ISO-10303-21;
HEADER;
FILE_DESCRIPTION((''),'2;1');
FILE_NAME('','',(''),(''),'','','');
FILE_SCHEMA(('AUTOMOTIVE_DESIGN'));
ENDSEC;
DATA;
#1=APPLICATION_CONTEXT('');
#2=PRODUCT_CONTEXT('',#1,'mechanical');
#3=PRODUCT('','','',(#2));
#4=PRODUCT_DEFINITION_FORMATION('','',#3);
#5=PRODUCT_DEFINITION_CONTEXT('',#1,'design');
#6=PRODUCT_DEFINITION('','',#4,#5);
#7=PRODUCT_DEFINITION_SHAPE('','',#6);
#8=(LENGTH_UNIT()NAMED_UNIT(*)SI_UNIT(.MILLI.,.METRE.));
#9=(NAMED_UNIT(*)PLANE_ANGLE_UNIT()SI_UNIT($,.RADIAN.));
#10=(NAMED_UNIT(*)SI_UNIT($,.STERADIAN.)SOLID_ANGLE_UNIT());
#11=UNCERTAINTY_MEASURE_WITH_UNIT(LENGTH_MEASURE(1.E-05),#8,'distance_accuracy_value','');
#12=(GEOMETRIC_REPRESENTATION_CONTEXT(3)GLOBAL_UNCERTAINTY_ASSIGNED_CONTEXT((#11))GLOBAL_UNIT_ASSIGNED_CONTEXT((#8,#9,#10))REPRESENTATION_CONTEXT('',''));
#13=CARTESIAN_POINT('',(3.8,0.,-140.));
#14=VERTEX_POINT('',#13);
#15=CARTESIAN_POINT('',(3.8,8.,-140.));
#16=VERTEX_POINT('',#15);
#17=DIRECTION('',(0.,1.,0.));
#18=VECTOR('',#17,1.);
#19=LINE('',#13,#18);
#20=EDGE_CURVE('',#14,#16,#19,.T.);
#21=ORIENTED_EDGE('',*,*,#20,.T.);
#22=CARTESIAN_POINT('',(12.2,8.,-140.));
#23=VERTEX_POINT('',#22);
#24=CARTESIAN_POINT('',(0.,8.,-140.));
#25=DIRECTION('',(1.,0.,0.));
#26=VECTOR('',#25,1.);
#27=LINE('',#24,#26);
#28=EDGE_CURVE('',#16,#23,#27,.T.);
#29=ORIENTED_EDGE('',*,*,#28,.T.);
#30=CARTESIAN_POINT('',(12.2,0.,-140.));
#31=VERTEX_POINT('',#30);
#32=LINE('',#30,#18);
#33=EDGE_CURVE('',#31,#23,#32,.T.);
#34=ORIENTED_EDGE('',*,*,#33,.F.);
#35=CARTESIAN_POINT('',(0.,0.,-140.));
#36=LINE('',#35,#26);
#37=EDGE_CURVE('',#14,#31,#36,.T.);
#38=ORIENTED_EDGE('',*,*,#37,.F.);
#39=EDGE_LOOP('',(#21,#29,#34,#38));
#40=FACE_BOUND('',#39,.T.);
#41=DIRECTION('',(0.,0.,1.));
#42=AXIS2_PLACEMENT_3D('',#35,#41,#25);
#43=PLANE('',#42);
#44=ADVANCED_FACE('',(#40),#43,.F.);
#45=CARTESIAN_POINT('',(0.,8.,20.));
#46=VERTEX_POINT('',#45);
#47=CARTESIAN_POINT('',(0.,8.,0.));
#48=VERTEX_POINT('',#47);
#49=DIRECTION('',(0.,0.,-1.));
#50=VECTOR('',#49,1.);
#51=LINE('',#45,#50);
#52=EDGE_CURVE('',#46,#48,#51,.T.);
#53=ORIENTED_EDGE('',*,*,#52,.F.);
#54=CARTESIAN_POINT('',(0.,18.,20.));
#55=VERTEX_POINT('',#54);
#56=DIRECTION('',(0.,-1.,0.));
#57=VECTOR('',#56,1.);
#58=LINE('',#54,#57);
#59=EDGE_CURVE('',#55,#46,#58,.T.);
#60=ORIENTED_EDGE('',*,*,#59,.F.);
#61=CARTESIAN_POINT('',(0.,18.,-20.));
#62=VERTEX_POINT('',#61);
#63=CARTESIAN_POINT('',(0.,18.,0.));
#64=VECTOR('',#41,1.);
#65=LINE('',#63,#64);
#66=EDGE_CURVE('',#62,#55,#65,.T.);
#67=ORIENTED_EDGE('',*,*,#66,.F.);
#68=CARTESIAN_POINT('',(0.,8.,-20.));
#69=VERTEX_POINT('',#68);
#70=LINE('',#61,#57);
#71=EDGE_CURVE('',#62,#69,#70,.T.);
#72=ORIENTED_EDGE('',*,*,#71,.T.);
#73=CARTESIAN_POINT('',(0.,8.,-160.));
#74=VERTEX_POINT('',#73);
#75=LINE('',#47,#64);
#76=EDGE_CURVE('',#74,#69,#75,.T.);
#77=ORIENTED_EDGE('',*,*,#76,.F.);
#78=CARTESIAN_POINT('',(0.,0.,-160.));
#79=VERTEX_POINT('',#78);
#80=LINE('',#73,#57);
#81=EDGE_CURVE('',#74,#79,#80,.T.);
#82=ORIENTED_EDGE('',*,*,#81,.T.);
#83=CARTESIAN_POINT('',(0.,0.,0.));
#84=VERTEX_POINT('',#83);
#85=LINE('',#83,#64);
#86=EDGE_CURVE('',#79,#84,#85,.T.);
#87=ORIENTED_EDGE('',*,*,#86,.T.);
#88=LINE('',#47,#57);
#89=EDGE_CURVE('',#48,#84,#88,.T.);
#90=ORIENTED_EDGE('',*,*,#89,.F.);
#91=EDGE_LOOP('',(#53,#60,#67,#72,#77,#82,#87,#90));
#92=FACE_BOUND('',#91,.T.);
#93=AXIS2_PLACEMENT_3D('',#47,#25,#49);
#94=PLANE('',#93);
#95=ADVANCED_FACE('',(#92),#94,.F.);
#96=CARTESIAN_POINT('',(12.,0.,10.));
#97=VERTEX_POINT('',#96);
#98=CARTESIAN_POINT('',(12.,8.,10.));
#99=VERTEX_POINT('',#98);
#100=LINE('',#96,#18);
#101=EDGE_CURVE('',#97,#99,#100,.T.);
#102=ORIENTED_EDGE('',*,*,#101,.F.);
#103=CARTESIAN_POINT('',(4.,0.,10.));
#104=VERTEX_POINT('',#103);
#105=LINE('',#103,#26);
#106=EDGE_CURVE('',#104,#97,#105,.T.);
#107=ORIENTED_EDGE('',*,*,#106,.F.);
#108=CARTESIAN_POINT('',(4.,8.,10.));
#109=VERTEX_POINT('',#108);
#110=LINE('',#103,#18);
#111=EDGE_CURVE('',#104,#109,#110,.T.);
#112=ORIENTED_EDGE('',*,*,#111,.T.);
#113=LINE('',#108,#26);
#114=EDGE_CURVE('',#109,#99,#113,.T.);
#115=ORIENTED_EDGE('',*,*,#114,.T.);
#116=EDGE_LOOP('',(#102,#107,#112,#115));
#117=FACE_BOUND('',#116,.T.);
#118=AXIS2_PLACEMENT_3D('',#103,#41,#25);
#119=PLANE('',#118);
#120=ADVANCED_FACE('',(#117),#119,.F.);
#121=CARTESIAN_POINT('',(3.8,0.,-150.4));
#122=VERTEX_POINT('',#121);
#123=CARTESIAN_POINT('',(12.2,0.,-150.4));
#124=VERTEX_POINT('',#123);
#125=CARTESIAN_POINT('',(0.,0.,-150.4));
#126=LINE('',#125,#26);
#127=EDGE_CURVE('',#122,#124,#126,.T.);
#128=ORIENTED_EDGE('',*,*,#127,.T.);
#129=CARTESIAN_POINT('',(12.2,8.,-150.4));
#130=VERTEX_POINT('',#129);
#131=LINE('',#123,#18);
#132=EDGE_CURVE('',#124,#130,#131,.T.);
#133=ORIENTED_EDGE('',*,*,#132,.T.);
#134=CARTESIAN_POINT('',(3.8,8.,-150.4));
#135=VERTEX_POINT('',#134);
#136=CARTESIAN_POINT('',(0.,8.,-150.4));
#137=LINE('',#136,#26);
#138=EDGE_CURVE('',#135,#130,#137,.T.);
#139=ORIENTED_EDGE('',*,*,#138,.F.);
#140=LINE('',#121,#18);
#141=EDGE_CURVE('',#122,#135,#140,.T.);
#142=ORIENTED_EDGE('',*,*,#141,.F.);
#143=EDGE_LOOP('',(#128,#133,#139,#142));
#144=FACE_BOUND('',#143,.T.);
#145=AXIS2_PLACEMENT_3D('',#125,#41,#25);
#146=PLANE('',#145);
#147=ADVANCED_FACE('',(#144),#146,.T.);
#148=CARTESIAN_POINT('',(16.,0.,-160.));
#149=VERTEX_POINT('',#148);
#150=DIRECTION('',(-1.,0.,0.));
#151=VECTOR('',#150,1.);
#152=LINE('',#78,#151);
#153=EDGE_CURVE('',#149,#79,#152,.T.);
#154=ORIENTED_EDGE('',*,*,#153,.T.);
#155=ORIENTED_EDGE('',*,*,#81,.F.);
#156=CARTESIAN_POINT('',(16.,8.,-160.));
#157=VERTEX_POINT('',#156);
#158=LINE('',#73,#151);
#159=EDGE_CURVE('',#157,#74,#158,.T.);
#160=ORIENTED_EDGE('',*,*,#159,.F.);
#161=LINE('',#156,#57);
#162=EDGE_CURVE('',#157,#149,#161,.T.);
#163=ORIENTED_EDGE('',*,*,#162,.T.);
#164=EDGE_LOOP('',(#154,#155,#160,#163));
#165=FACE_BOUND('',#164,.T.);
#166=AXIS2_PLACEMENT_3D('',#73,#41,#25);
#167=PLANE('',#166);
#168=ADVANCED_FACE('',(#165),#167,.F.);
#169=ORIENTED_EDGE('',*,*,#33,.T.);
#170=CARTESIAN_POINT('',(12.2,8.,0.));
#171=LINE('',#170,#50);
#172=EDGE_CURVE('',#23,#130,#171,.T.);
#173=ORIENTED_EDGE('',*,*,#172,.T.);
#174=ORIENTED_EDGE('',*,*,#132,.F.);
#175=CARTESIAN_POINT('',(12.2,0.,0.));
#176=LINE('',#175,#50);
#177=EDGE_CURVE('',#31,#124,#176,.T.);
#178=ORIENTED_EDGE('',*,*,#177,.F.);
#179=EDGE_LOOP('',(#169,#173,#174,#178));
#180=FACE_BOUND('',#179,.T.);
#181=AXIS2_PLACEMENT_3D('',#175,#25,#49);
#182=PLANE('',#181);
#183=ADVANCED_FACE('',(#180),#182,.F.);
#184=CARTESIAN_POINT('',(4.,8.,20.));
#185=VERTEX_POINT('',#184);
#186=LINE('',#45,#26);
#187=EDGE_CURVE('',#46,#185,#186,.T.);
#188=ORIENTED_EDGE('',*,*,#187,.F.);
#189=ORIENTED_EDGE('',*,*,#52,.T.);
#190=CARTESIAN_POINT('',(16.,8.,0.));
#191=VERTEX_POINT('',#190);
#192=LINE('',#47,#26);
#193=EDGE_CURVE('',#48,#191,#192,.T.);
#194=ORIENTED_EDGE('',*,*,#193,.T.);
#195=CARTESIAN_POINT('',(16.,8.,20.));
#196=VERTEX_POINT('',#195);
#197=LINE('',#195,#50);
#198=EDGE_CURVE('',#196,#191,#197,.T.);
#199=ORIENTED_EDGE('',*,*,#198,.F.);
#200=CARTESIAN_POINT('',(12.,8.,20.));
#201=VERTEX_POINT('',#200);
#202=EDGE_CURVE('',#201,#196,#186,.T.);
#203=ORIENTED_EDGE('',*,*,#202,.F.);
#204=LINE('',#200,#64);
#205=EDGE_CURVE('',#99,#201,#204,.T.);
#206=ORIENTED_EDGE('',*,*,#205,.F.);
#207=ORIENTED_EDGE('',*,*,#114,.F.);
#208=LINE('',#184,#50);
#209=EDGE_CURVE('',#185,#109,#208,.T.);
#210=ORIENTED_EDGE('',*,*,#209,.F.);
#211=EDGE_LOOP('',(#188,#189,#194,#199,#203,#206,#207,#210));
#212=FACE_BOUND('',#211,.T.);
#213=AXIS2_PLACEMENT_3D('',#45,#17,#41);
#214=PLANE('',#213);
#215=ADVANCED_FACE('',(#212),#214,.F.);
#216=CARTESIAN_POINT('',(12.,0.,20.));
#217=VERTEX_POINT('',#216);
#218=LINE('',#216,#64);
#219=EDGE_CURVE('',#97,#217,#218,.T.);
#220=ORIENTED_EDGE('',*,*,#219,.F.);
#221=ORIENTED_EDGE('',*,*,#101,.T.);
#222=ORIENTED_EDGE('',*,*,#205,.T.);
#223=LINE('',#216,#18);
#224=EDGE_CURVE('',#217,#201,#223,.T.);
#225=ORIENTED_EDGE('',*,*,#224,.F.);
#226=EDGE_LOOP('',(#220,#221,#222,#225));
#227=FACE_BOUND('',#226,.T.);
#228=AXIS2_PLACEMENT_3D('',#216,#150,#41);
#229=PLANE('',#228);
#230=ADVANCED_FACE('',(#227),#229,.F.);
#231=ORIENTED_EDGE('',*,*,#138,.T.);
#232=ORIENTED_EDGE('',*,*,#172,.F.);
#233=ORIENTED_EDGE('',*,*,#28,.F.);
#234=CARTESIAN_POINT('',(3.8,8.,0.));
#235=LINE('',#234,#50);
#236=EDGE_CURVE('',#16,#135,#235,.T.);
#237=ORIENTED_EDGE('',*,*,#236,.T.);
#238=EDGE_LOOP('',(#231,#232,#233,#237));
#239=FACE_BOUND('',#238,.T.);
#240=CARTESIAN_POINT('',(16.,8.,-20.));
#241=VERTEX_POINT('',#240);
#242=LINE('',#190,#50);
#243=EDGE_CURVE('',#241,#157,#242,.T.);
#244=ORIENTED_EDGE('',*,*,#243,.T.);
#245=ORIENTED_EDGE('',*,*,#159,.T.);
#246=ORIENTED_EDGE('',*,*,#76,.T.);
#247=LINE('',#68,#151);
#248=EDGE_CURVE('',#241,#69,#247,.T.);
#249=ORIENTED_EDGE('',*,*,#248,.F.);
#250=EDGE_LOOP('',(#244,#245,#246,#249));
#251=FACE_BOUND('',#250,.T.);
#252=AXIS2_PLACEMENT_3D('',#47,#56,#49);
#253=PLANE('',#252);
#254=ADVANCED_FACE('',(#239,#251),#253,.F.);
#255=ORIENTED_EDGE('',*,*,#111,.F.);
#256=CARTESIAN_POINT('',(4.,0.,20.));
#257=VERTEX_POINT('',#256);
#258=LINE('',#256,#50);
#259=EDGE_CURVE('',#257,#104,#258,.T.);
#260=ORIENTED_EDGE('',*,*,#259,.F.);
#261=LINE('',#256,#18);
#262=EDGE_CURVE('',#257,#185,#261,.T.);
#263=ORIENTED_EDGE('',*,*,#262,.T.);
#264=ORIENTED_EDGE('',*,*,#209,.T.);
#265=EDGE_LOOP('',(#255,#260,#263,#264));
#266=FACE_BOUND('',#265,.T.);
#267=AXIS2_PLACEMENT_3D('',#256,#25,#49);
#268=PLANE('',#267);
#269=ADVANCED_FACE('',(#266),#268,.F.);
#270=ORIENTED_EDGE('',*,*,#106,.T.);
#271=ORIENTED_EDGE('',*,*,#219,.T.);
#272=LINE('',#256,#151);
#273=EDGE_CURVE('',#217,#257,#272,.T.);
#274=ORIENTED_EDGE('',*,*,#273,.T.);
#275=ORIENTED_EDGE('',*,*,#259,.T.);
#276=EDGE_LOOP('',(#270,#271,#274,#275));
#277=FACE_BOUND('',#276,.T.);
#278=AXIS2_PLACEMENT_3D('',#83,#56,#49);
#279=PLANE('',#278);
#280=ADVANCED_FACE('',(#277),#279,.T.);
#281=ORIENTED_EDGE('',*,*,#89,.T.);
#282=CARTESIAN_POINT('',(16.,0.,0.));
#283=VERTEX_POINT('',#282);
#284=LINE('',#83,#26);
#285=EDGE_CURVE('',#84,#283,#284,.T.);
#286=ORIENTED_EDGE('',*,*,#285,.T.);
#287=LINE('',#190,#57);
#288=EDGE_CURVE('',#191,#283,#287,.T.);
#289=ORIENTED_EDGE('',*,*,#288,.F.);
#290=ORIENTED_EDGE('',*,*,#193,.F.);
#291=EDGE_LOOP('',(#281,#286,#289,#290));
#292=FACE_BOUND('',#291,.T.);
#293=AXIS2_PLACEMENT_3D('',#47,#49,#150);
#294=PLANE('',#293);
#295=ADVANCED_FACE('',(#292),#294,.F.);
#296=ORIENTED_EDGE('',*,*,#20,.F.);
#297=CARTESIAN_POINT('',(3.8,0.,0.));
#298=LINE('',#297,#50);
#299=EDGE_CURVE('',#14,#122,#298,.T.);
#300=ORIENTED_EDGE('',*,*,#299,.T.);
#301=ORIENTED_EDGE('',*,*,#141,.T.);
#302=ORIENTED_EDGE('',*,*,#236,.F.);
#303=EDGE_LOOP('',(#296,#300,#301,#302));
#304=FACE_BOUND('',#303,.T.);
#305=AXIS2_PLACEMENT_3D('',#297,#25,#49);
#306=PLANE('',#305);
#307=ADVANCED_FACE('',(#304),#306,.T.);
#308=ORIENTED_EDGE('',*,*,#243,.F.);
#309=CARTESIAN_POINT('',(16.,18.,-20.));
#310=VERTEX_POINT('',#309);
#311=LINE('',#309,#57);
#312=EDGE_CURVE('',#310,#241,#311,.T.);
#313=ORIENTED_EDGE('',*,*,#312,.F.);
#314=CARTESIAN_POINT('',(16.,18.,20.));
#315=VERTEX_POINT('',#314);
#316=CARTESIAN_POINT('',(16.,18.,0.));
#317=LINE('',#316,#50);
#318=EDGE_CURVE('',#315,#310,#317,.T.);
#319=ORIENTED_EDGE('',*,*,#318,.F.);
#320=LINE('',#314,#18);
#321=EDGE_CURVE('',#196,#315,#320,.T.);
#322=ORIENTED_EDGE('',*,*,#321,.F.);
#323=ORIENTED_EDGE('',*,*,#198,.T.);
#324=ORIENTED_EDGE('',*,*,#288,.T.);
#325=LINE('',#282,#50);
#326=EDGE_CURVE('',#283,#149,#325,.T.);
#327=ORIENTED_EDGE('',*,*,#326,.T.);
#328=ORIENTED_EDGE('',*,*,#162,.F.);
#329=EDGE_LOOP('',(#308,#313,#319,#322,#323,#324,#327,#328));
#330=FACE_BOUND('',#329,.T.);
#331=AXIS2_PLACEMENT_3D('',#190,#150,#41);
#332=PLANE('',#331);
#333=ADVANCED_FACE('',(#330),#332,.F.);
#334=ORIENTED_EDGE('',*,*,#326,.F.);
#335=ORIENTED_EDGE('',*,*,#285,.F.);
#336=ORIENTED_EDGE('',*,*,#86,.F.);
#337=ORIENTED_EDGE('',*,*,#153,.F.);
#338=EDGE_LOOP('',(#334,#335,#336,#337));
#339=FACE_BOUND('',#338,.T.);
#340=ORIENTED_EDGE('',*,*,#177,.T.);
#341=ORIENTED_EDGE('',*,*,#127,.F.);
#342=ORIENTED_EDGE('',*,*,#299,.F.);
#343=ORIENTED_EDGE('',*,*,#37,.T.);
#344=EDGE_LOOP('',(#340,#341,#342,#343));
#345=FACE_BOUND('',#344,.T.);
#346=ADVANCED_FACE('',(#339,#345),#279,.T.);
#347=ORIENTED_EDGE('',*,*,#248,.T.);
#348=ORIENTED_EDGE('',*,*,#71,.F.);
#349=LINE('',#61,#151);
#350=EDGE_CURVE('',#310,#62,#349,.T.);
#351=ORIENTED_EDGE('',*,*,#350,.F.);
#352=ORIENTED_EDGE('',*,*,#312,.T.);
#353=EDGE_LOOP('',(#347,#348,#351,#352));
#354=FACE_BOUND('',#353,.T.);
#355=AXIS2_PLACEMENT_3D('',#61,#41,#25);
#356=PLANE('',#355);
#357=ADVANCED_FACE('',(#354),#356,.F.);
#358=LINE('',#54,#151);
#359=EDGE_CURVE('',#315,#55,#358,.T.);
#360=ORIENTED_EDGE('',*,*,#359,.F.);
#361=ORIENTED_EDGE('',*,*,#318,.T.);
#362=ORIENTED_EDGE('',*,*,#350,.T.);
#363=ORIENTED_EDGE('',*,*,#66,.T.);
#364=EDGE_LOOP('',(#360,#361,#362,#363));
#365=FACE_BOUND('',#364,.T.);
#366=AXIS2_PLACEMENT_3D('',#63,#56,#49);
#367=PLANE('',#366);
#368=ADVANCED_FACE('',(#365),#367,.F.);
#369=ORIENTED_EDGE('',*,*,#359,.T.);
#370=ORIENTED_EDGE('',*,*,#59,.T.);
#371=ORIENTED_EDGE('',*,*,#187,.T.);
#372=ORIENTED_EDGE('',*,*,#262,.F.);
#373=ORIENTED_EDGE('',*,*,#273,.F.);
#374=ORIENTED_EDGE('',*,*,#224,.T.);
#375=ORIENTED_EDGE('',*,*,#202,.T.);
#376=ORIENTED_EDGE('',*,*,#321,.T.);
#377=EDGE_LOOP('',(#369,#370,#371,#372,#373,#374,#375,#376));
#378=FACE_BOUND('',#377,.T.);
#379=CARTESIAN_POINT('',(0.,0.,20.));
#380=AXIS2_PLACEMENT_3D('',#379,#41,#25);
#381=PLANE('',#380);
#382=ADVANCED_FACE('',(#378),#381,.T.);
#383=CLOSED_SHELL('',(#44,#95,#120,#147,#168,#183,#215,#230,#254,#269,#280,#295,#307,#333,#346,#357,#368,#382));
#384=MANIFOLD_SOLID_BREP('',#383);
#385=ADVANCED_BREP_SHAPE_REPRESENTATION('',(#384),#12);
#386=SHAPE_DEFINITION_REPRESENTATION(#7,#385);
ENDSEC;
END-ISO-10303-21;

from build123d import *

# Parameters (mm, degrees)
SKETCH_1_W          = 16
SKETCH_1_H          = 160
EXTRUDE_1_DEPTH     = 8
SKETCH_2_W          = 16
SKETCH_2_H          = 20
EXTRUDE_2_DEPTH     = 10
SKETCH_3_W          = 16
SKETCH_3_H          = 10
EXTRUDE_3_DEPTH     = 20
SKETCH_4_W          = 8
SKETCH_4_H          = 10
EXTRUDE_4_DEPTH     = 8
SKETCH_5_W          = 8.4
SKETCH_5_H          = 10.4
CUT_EXTRUDE_1_DEPTH = 162.108658985


with BuildPart() as part:
    # 草图1 → 凸台-拉伸1 (new body)
    with BuildSketch(Plane(origin=(0, 0, 0), x_dir=(1, 0, 0), z_dir=(0, 1, 0))):
        with Locations((8, 80)):
            Rectangle(SKETCH_1_W, SKETCH_1_H)
    extrude(amount=EXTRUDE_1_DEPTH)

    # 草图2 → 凸台-拉伸2 (add)
    with BuildSketch(Plane(origin=(0, 8, 0), x_dir=(1, 0, 0), z_dir=(0, 1, 0))):
        with Locations((8, 10)):
            Rectangle(SKETCH_2_W, SKETCH_2_H)
    extrude(amount=EXTRUDE_2_DEPTH)

    # 草图3 → 凸台-拉伸3 (add)
    with BuildSketch(Plane.XY):
        with Locations((8, 13)):
            Rectangle(SKETCH_3_W, SKETCH_3_H)
    extrude(amount=EXTRUDE_3_DEPTH)

    # 草图4 → 凸台-拉伸4 (add)
    with BuildSketch(Plane.XZ.offset(-8)):
        with Locations((8, 15)):
            Rectangle(SKETCH_4_W, SKETCH_4_H)
    extrude(amount=EXTRUDE_4_DEPTH)

    # 草图5 → 切除-拉伸1 (cut, through all)
    with BuildSketch(Plane(origin=(0, 8, 0), x_dir=(1, 0, 0), z_dir=(0, 1, 0))):
        with Locations((8, 145.2)):
            Rectangle(SKETCH_5_W, SKETCH_5_H)
    extrude(amount=-CUT_EXTRUDE_1_DEPTH, mode=Mode.SUBTRACT)


solid = part.part
